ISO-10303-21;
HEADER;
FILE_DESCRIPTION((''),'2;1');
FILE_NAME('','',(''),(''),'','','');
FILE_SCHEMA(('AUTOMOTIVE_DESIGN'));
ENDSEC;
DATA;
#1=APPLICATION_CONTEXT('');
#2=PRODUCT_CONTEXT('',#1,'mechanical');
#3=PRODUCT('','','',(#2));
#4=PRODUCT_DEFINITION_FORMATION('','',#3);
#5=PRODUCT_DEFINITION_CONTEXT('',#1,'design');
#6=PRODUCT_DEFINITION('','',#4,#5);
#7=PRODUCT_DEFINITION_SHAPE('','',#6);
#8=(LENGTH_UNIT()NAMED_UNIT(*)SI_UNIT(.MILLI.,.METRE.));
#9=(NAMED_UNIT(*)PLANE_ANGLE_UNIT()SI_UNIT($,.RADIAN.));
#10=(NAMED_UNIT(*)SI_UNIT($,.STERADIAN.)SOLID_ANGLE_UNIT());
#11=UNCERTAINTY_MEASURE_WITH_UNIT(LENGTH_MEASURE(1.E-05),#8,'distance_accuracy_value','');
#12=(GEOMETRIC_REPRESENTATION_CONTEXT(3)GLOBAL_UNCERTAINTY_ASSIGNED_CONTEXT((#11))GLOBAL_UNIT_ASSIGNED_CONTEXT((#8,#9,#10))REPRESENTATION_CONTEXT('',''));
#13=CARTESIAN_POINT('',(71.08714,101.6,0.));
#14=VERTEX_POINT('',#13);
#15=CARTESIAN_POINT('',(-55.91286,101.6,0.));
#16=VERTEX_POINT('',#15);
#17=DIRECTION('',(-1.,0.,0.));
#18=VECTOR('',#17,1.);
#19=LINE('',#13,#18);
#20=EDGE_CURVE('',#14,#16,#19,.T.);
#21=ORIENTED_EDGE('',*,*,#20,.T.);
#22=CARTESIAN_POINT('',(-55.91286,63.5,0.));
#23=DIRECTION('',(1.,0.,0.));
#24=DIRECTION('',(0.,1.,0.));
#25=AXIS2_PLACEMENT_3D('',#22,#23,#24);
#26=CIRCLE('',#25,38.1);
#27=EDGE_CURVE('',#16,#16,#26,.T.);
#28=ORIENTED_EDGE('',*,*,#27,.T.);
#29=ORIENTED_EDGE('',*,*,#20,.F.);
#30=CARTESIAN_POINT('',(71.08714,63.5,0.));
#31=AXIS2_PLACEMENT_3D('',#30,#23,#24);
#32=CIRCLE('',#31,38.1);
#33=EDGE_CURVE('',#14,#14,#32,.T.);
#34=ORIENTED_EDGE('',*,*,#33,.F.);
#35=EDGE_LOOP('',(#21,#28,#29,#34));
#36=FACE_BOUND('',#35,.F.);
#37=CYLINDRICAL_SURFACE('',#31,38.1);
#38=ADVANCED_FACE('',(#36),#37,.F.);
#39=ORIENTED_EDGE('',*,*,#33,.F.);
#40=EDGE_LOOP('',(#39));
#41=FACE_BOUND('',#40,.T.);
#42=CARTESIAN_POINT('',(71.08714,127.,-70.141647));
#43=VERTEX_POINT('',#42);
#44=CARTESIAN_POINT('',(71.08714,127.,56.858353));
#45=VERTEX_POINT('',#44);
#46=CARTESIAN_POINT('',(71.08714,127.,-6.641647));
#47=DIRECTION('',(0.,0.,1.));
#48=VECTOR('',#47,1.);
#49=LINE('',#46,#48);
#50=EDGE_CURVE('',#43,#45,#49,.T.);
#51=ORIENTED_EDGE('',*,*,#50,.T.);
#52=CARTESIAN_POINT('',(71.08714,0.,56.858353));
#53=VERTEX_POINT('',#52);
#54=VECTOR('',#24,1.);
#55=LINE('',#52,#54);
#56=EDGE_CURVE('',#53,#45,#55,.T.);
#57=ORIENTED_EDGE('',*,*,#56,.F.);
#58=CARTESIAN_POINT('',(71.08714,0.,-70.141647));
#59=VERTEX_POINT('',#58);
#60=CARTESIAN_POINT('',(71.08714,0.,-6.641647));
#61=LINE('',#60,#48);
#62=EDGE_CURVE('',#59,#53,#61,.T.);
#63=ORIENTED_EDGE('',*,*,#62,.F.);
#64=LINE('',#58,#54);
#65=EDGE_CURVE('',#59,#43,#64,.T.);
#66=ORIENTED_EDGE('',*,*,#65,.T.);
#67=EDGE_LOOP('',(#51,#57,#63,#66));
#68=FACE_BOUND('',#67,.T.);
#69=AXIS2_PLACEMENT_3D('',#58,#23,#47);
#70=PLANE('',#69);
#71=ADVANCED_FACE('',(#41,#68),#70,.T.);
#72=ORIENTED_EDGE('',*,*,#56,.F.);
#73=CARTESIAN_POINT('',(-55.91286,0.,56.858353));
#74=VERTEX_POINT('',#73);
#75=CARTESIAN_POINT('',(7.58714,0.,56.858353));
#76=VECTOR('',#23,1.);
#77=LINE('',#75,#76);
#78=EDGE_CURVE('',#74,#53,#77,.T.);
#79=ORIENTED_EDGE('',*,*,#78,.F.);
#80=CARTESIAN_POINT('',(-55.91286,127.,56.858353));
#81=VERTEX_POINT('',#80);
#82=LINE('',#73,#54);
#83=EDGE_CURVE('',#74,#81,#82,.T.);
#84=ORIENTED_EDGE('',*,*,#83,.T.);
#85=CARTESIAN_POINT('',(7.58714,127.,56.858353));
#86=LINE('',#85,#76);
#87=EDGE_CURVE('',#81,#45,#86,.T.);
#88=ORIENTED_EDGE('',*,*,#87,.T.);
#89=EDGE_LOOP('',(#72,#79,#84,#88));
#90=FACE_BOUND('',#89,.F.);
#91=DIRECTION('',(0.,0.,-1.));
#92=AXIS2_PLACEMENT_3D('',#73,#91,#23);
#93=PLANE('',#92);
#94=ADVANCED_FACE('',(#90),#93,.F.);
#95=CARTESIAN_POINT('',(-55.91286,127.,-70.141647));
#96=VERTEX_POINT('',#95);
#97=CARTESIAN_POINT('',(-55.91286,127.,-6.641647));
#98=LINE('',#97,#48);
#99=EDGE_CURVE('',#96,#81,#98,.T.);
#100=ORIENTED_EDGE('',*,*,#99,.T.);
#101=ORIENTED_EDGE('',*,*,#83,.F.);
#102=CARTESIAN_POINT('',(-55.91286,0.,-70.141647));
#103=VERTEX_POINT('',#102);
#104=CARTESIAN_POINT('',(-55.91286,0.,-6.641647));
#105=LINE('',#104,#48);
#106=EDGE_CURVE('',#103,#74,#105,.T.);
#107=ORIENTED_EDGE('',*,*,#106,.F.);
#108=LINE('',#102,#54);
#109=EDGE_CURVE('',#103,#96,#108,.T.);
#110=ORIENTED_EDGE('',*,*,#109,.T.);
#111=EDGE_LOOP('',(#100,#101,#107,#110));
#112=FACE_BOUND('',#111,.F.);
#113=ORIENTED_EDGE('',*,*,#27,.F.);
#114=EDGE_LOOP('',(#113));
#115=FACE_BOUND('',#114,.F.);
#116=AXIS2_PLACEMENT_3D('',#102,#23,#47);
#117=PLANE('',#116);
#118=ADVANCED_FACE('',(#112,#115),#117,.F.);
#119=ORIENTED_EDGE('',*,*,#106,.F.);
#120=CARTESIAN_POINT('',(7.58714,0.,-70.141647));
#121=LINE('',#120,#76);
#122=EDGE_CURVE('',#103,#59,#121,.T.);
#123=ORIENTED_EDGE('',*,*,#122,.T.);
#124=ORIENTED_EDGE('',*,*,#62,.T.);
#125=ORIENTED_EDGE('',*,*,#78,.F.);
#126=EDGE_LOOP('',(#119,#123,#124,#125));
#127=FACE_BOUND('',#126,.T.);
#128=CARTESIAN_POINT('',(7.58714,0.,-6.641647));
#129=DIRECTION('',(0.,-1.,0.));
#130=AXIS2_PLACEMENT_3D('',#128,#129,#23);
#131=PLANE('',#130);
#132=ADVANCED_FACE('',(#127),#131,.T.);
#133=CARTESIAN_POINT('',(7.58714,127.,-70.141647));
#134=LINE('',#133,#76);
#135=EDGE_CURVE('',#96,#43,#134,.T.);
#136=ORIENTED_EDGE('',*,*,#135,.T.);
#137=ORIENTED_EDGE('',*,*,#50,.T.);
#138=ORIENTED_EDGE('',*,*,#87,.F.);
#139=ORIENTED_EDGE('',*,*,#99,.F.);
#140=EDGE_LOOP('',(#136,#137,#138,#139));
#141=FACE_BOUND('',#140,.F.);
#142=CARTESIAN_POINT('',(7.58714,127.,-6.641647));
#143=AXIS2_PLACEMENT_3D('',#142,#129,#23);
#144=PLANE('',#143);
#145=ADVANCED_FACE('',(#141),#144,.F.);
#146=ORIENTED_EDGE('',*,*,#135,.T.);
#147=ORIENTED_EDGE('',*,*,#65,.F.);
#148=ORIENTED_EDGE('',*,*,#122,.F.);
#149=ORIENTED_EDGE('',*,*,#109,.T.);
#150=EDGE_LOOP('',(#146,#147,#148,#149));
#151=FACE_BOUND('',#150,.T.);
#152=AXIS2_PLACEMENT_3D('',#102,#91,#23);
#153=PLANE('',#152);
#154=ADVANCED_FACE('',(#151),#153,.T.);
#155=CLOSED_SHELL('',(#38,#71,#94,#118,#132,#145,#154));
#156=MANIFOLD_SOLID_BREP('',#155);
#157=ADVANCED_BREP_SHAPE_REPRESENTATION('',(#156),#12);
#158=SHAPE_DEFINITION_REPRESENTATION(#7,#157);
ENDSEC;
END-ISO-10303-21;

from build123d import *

# Parameters (mm, degrees)
F0_W     = 127
F0_H     = 127
F1_DEPTH = 127
F2_R     = 38.1
F3_DEPTH = 127.001


with BuildPart() as f1:
    # F0 (on Front) → F1 (new body)
    with BuildSketch(Plane.XZ):
        with Locations((7.58714, -6.641647)):
            Rectangle(F0_W, F0_H)
    extrude(amount=-F1_DEPTH)

    # F2 (on face) → F3 (cut, through all)
    with BuildSketch(Plane.YZ.offset(71.08714)):
        with Locations((63.5, 0)):
            Circle(F2_R)
    extrude(amount=-F3_DEPTH, mode=Mode.SUBTRACT)


solid = f1.part
